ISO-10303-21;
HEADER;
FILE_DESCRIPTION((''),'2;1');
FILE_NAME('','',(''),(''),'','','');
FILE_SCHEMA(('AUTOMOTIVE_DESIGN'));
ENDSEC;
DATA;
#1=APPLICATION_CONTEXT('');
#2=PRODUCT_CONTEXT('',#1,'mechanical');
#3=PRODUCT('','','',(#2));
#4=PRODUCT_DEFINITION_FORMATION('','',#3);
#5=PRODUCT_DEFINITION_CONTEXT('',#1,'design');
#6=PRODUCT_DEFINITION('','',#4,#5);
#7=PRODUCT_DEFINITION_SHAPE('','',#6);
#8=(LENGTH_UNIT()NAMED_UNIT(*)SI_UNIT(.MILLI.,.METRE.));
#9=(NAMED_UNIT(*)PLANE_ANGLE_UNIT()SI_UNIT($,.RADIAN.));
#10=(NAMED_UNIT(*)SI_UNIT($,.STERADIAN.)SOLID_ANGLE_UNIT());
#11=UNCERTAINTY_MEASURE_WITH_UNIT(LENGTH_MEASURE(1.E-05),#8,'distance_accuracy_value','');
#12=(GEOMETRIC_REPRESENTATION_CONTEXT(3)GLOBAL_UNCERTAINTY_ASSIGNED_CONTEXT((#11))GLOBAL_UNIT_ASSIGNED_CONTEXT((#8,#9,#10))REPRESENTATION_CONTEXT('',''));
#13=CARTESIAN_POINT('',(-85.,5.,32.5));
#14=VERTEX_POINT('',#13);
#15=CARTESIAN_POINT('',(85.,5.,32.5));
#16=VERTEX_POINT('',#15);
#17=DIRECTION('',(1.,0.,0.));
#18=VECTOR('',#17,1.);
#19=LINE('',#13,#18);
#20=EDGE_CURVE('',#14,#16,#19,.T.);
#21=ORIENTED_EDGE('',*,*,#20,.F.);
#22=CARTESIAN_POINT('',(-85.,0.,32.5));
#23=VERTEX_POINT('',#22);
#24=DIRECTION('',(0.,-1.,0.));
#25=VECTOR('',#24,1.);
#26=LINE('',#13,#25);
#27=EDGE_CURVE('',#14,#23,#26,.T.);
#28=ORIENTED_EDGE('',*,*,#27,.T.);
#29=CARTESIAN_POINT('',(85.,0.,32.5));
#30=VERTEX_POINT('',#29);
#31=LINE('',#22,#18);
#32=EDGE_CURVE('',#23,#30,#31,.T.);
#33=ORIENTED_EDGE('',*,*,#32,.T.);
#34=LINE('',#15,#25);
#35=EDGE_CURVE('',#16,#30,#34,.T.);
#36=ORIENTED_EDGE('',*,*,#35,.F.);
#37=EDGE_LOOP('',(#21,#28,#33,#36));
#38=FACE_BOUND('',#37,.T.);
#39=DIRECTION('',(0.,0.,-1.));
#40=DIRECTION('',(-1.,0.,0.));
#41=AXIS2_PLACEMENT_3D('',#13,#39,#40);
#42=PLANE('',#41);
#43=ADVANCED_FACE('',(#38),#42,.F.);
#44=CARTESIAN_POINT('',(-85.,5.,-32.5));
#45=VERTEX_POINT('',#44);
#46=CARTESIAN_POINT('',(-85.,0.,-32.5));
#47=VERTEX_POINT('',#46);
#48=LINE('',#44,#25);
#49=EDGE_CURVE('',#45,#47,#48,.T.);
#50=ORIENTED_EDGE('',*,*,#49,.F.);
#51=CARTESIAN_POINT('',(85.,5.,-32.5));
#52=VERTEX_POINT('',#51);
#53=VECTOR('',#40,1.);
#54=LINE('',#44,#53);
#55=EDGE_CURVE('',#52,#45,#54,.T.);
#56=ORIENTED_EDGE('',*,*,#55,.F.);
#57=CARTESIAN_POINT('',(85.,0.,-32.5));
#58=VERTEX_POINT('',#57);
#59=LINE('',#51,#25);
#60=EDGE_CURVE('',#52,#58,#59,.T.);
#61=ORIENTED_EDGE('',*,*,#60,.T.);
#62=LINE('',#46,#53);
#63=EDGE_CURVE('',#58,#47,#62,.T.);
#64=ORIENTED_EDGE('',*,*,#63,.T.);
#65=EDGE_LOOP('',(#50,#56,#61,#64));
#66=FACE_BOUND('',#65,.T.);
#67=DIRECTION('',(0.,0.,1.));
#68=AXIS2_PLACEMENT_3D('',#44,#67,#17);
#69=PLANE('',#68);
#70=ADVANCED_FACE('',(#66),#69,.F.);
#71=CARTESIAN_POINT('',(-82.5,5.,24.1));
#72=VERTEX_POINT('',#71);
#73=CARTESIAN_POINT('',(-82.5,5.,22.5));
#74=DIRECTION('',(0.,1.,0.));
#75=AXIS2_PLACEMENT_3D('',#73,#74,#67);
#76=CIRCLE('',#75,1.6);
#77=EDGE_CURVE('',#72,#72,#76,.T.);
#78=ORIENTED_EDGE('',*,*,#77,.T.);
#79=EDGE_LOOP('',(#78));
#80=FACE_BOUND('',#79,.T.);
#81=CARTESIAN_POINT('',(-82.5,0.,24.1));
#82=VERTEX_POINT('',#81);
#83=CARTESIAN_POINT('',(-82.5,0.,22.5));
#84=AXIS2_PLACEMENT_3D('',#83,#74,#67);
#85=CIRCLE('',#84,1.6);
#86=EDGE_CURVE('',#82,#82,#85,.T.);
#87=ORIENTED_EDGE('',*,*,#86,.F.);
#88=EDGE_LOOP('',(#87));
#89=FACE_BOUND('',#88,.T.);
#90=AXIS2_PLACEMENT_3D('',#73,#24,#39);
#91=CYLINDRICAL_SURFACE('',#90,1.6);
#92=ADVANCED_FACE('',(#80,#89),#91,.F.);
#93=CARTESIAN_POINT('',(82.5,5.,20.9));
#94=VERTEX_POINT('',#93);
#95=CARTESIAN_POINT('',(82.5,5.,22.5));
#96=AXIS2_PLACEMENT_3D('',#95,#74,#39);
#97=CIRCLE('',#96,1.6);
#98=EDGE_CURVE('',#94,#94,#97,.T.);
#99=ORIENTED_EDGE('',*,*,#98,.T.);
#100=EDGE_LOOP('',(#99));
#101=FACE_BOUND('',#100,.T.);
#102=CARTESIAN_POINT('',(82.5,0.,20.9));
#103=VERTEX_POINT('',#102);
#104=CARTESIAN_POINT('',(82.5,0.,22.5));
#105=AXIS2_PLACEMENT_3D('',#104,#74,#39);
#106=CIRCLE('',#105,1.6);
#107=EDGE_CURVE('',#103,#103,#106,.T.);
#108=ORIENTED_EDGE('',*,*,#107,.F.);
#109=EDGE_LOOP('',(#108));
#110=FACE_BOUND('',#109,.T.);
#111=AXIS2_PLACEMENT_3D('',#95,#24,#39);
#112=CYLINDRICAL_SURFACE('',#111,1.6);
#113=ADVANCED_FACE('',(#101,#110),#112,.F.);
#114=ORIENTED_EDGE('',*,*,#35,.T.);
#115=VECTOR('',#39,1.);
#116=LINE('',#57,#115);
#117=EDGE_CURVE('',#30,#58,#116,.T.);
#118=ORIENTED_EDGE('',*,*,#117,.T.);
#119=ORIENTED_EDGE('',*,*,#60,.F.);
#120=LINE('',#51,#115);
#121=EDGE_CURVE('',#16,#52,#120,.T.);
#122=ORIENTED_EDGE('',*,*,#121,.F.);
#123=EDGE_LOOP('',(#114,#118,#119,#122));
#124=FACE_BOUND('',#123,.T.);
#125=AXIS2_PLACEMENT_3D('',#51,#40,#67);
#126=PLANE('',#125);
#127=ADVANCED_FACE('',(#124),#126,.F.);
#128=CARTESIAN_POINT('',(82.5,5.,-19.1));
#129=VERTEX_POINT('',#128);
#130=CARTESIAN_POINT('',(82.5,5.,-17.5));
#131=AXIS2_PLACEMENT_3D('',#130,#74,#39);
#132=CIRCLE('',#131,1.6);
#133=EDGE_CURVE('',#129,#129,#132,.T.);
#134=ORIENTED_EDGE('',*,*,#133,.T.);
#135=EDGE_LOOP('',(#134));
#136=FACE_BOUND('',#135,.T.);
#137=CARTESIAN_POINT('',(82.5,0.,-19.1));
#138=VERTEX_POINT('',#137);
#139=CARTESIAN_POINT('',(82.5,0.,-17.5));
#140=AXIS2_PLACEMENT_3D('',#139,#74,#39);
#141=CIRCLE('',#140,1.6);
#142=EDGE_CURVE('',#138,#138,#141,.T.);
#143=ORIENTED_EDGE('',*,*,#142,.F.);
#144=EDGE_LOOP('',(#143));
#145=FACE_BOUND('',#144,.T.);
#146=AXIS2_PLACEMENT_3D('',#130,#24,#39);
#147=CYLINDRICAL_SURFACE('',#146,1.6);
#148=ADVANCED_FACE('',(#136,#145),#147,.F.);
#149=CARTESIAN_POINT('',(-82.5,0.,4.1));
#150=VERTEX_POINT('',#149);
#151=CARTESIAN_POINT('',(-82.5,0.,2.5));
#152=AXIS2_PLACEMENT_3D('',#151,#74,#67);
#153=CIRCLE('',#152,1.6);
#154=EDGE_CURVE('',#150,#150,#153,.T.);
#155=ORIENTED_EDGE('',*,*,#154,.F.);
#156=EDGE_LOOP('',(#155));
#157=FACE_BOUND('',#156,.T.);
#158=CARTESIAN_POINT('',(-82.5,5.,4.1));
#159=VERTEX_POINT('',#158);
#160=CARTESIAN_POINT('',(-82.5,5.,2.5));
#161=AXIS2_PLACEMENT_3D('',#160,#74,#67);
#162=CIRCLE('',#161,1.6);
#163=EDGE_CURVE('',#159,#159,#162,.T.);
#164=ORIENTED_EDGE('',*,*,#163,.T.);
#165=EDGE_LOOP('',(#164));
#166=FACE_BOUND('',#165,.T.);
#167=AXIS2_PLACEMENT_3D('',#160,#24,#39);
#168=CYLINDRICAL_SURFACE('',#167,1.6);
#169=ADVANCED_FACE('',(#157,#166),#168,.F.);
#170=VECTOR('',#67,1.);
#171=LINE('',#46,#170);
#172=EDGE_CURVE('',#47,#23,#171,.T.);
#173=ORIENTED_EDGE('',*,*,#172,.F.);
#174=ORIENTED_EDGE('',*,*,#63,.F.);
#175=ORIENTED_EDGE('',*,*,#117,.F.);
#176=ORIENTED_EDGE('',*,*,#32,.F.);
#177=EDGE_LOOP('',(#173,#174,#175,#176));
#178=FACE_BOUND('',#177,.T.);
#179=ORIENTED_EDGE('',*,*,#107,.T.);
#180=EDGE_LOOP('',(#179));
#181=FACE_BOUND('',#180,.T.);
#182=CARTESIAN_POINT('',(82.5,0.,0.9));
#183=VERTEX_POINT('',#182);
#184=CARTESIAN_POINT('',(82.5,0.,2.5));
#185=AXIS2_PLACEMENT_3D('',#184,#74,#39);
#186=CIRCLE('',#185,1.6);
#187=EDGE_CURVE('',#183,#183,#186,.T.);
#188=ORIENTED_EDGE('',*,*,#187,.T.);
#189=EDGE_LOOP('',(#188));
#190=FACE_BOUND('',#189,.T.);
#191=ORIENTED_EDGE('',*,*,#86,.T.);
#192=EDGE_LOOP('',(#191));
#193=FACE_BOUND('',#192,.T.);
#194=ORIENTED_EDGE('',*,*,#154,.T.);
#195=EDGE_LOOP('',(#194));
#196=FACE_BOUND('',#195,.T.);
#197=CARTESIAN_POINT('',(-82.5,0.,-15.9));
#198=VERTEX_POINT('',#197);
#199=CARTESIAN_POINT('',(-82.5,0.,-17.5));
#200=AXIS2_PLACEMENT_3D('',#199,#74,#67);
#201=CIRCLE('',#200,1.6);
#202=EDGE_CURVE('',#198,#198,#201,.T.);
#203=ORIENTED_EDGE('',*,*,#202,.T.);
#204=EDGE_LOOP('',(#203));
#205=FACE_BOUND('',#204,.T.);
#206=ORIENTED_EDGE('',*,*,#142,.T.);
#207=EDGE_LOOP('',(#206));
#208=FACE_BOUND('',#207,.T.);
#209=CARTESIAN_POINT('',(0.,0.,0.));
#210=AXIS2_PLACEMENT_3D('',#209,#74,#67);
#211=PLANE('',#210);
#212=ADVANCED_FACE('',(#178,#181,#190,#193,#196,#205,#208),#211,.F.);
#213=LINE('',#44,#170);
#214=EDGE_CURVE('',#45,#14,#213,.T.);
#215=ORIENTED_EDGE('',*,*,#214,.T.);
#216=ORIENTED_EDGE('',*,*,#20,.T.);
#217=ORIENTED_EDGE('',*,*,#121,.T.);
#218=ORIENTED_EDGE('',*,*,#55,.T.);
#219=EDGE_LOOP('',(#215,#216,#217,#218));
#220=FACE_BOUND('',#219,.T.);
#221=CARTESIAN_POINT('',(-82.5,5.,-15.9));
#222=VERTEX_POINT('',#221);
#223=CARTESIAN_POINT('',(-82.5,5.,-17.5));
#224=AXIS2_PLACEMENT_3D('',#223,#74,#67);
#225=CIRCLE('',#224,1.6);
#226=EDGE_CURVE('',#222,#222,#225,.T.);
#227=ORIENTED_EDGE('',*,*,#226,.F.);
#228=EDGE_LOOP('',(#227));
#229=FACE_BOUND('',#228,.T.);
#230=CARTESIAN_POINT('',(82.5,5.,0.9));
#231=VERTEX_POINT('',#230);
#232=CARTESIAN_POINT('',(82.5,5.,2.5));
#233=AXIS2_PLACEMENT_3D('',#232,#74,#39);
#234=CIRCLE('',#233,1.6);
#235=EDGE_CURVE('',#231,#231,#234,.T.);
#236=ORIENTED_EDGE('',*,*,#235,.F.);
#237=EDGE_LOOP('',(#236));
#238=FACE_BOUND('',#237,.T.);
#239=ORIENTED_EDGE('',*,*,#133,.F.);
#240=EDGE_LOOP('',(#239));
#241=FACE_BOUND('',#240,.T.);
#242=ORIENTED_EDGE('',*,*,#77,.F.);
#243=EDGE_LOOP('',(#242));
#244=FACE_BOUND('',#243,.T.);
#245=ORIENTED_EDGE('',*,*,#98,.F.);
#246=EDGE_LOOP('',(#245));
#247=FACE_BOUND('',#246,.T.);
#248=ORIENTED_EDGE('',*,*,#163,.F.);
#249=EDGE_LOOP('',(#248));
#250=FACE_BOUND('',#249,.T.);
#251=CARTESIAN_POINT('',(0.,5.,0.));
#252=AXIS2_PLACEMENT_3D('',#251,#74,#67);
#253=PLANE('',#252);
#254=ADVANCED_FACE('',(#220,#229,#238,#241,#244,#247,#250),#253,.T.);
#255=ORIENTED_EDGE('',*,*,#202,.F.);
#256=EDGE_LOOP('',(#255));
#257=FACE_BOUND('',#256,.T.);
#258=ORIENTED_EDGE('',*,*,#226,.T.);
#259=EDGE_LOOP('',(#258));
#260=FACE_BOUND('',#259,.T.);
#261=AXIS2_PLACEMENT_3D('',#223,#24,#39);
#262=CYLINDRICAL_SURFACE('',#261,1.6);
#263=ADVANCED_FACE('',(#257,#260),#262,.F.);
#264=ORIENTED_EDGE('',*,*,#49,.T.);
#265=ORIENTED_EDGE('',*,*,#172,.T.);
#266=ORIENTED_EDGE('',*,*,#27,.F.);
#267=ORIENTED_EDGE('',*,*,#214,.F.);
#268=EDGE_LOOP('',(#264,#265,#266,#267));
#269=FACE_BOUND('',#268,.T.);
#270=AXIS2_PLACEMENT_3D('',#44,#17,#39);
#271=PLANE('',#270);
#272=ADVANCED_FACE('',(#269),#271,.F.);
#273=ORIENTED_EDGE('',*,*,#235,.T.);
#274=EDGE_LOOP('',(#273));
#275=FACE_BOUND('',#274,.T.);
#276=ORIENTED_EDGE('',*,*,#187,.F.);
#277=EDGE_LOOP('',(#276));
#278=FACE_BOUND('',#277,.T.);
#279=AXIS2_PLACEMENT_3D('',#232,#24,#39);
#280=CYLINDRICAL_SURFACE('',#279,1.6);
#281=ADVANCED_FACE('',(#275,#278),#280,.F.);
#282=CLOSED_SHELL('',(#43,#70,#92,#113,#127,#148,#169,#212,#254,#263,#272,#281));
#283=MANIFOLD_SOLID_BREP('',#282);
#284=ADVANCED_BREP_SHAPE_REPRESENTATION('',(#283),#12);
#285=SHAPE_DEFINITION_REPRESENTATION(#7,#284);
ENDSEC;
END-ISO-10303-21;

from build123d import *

# Parameters (mm, degrees)
SKETCH1_W           = 170
SKETCH1_H           = 65
SKETCH1_R           = 1.6
BOSS_EXTRUDE1_DEPTH = 5


with BuildPart() as part:
    # Sketch1 → Boss-Extrude1 (new body)
    with BuildSketch(Plane(origin=(0, 0, 0), x_dir=(1, 0, 0), z_dir=(0, 1, 0))):
        Rectangle(SKETCH1_W, SKETCH1_H)
        with Locations((-82.5, 17.5)):
            Circle(SKETCH1_R, mode=Mode.SUBTRACT)
        with Locations((-82.5, -2.5)):
            Circle(SKETCH1_R, mode=Mode.SUBTRACT)
        with Locations((-82.5, -22.5)):
            Circle(SKETCH1_R, mode=Mode.SUBTRACT)
        with Locations((82.5, -22.5)):
            Circle(SKETCH1_R, mode=Mode.SUBTRACT)
        with Locations((82.5, -2.5)):
            Circle(SKETCH1_R, mode=Mode.SUBTRACT)
        with Locations((82.5, 17.5)):
            Circle(SKETCH1_R, mode=Mode.SUBTRACT)
    extrude(amount=BOSS_EXTRUDE1_DEPTH)


solid = part.part
